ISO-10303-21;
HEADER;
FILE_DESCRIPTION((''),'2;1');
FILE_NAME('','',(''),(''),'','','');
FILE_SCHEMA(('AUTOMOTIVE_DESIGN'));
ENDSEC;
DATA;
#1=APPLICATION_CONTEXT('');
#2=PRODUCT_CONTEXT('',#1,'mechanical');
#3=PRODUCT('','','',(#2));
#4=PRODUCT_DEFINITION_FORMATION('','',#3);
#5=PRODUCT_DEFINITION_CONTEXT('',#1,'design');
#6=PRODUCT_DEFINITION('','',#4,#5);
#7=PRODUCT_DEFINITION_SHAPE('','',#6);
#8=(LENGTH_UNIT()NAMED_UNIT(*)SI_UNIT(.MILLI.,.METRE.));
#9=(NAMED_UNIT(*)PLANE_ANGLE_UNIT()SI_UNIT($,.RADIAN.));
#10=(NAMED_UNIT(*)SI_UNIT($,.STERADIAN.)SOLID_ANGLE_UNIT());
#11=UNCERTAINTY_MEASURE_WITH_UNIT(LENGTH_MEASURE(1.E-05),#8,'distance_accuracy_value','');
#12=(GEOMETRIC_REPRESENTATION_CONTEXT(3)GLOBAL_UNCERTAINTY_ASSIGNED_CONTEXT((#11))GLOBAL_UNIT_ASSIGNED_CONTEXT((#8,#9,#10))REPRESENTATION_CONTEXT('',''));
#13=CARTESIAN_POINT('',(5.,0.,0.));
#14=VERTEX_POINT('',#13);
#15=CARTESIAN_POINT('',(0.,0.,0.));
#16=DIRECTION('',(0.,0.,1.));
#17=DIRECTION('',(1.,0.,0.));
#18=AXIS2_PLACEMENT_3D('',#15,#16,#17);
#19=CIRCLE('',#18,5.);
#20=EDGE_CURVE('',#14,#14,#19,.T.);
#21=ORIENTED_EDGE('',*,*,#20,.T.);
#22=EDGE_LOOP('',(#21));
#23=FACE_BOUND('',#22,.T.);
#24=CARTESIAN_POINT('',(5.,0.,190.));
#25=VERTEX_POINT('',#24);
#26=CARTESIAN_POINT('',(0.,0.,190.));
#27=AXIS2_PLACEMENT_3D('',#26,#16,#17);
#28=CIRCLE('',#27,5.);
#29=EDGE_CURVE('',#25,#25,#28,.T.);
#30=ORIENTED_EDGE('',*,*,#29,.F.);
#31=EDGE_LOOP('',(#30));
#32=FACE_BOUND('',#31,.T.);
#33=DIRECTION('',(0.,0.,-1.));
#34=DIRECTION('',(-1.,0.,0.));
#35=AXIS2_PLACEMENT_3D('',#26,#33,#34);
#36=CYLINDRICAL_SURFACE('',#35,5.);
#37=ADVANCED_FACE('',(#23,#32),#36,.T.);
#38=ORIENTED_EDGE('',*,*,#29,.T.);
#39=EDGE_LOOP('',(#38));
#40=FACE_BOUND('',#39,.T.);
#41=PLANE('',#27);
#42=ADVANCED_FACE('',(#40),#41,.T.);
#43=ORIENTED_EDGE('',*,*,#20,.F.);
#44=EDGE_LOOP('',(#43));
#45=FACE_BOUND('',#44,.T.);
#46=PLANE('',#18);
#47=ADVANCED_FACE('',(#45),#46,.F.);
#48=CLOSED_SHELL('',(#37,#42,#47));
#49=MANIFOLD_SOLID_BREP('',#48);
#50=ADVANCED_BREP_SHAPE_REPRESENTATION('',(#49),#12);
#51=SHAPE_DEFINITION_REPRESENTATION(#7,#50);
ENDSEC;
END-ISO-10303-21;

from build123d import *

# Parameters (mm, degrees)
SKETCH1_R           = 5
BOSS_EXTRUDE1_DEPTH = 190


with BuildPart() as part:
    # Sketch1 → Boss-Extrude1 (new body)
    with BuildSketch(Plane.XY):
        Circle(SKETCH1_R)
    extrude(amount=BOSS_EXTRUDE1_DEPTH)


solid = part.part
